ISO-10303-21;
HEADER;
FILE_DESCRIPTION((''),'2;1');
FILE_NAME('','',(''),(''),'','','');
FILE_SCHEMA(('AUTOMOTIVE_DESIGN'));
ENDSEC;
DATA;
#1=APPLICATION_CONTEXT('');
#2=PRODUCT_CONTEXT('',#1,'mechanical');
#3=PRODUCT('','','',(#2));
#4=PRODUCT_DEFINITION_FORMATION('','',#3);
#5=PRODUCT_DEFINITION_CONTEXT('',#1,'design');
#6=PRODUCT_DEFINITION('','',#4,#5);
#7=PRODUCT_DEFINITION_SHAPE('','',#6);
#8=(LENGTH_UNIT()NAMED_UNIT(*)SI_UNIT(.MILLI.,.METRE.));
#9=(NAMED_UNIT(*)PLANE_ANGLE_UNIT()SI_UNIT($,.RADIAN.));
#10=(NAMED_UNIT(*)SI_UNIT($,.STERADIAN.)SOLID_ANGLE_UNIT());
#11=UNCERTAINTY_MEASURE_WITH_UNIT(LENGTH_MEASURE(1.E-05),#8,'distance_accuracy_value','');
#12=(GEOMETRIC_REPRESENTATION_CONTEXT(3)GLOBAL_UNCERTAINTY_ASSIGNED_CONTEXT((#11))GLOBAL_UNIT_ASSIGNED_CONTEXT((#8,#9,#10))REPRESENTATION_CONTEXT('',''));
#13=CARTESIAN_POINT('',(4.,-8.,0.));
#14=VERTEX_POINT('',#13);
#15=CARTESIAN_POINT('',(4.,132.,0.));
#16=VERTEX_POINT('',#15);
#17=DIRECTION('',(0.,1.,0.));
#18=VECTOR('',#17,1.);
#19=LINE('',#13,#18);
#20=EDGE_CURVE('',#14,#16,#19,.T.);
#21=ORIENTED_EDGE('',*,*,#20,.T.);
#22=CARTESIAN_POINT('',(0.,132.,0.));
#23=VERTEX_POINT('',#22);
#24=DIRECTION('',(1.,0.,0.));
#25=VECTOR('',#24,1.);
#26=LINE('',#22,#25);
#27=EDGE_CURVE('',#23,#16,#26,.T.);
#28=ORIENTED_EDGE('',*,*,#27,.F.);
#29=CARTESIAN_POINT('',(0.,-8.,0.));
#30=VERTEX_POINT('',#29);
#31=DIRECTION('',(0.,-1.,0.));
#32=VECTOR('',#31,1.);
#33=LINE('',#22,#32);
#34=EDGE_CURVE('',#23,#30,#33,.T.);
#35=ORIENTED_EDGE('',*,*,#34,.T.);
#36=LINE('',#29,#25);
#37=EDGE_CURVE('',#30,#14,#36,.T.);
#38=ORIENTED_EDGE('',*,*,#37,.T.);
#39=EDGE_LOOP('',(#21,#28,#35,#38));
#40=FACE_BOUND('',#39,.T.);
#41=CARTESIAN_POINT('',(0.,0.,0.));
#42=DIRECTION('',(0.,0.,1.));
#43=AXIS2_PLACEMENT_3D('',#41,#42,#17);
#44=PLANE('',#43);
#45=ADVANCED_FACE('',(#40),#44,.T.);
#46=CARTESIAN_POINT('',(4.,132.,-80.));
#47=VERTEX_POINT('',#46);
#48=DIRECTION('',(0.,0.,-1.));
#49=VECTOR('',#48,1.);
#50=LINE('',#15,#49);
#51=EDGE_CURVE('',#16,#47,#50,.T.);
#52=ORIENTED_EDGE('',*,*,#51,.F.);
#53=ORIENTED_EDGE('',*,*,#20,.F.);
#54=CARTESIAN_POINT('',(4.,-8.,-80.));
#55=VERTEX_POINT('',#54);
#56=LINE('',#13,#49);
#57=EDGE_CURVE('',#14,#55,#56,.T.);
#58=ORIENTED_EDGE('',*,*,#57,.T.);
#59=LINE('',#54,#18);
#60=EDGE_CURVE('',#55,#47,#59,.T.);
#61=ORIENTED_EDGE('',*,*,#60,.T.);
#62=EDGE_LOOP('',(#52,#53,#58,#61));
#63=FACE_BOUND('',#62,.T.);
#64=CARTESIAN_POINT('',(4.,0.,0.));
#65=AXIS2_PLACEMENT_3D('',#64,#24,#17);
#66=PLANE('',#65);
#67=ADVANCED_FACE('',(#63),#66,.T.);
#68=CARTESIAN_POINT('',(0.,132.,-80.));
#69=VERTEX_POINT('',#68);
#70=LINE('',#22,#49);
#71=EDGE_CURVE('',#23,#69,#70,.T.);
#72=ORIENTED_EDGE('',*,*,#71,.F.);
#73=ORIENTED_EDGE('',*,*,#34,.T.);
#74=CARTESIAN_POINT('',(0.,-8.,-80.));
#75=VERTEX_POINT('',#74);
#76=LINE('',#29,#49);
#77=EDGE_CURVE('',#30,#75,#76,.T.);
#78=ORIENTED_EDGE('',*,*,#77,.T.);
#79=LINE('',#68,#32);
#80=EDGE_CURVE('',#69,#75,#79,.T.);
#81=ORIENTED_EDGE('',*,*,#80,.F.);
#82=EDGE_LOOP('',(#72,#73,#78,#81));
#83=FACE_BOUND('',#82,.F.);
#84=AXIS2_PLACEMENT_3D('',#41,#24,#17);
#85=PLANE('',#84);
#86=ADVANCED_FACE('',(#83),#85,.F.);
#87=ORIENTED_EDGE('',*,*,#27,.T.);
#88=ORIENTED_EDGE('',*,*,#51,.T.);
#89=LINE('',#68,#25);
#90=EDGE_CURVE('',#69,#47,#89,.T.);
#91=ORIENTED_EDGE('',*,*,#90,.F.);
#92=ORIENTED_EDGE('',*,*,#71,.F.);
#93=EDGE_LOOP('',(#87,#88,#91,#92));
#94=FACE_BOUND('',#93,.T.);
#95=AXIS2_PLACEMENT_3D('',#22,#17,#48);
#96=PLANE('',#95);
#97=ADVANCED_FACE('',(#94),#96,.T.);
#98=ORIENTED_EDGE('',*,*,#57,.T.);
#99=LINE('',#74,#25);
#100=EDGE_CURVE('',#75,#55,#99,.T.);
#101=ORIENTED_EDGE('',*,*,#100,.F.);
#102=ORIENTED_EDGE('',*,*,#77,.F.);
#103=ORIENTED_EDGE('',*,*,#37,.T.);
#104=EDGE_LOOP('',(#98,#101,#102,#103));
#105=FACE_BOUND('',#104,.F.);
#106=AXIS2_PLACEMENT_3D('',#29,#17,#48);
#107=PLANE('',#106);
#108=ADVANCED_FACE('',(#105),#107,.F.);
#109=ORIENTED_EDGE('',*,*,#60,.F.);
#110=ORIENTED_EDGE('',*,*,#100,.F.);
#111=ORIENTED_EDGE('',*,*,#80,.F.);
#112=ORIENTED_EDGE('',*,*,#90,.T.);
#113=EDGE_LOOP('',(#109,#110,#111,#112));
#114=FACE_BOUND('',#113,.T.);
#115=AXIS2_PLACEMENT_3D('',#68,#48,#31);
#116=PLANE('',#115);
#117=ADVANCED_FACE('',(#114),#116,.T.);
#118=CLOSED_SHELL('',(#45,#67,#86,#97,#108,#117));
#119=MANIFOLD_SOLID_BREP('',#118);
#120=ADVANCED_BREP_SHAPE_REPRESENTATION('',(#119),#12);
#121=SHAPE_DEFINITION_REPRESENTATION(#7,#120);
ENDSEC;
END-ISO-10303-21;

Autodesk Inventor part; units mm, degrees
ref_plane "YZ Plane" through (0, 0, 0) normal (1, 0, 0) x (0, 1, 0)
ref_plane "XZ Plane" through (0, 0, 0) normal (0, 1, 0) x (-1, 0, 0)
ref_plane "XY Plane" through (0, 0, 0) normal (0, 0, 1) x (1, 0, 0)
sketch "Skizze1" plane through (0, 0, 0) normal (1, 0, 0) x (0, 1, 0)
  line L0 (0, 0) -> (132, 0)
  line L1 (132, 0) -> (132, -80)
  line L2 (132, -80) -> (0, -80)
  line L3 (0, -80) -> (0, 0)
  dimension "d0" = 80
  dimension "d1" = 132
extrude "Extrusion1" add sketch "Skizze1" along normal blind 4
sketch "Sketch2" plane through (0, 0, 0) normal (1, 0, 0) x (0, 1, 0)
  line L0 (0, 0) -> (0, -80) projected
  line L1 (0, 0) -> (-8, 0)
  line L2 (-8, 0) -> (-8, -80)
  line L3 (-8, -80) -> (0, -80)
  line L4 (0, -80) -> (0, 0)
  line L5 (0, -80) -> (132, -80) projected
  line L6 (132, 0) -> (0, 0) projected
  line L7 (132, 0) -> (0, 0) projected
  dimension "d5" = 8
extrude "Extrusion2" add sketch "Sketch2" along normal blind 4
properties part number "TorraumSeiteBalleinwurf"
